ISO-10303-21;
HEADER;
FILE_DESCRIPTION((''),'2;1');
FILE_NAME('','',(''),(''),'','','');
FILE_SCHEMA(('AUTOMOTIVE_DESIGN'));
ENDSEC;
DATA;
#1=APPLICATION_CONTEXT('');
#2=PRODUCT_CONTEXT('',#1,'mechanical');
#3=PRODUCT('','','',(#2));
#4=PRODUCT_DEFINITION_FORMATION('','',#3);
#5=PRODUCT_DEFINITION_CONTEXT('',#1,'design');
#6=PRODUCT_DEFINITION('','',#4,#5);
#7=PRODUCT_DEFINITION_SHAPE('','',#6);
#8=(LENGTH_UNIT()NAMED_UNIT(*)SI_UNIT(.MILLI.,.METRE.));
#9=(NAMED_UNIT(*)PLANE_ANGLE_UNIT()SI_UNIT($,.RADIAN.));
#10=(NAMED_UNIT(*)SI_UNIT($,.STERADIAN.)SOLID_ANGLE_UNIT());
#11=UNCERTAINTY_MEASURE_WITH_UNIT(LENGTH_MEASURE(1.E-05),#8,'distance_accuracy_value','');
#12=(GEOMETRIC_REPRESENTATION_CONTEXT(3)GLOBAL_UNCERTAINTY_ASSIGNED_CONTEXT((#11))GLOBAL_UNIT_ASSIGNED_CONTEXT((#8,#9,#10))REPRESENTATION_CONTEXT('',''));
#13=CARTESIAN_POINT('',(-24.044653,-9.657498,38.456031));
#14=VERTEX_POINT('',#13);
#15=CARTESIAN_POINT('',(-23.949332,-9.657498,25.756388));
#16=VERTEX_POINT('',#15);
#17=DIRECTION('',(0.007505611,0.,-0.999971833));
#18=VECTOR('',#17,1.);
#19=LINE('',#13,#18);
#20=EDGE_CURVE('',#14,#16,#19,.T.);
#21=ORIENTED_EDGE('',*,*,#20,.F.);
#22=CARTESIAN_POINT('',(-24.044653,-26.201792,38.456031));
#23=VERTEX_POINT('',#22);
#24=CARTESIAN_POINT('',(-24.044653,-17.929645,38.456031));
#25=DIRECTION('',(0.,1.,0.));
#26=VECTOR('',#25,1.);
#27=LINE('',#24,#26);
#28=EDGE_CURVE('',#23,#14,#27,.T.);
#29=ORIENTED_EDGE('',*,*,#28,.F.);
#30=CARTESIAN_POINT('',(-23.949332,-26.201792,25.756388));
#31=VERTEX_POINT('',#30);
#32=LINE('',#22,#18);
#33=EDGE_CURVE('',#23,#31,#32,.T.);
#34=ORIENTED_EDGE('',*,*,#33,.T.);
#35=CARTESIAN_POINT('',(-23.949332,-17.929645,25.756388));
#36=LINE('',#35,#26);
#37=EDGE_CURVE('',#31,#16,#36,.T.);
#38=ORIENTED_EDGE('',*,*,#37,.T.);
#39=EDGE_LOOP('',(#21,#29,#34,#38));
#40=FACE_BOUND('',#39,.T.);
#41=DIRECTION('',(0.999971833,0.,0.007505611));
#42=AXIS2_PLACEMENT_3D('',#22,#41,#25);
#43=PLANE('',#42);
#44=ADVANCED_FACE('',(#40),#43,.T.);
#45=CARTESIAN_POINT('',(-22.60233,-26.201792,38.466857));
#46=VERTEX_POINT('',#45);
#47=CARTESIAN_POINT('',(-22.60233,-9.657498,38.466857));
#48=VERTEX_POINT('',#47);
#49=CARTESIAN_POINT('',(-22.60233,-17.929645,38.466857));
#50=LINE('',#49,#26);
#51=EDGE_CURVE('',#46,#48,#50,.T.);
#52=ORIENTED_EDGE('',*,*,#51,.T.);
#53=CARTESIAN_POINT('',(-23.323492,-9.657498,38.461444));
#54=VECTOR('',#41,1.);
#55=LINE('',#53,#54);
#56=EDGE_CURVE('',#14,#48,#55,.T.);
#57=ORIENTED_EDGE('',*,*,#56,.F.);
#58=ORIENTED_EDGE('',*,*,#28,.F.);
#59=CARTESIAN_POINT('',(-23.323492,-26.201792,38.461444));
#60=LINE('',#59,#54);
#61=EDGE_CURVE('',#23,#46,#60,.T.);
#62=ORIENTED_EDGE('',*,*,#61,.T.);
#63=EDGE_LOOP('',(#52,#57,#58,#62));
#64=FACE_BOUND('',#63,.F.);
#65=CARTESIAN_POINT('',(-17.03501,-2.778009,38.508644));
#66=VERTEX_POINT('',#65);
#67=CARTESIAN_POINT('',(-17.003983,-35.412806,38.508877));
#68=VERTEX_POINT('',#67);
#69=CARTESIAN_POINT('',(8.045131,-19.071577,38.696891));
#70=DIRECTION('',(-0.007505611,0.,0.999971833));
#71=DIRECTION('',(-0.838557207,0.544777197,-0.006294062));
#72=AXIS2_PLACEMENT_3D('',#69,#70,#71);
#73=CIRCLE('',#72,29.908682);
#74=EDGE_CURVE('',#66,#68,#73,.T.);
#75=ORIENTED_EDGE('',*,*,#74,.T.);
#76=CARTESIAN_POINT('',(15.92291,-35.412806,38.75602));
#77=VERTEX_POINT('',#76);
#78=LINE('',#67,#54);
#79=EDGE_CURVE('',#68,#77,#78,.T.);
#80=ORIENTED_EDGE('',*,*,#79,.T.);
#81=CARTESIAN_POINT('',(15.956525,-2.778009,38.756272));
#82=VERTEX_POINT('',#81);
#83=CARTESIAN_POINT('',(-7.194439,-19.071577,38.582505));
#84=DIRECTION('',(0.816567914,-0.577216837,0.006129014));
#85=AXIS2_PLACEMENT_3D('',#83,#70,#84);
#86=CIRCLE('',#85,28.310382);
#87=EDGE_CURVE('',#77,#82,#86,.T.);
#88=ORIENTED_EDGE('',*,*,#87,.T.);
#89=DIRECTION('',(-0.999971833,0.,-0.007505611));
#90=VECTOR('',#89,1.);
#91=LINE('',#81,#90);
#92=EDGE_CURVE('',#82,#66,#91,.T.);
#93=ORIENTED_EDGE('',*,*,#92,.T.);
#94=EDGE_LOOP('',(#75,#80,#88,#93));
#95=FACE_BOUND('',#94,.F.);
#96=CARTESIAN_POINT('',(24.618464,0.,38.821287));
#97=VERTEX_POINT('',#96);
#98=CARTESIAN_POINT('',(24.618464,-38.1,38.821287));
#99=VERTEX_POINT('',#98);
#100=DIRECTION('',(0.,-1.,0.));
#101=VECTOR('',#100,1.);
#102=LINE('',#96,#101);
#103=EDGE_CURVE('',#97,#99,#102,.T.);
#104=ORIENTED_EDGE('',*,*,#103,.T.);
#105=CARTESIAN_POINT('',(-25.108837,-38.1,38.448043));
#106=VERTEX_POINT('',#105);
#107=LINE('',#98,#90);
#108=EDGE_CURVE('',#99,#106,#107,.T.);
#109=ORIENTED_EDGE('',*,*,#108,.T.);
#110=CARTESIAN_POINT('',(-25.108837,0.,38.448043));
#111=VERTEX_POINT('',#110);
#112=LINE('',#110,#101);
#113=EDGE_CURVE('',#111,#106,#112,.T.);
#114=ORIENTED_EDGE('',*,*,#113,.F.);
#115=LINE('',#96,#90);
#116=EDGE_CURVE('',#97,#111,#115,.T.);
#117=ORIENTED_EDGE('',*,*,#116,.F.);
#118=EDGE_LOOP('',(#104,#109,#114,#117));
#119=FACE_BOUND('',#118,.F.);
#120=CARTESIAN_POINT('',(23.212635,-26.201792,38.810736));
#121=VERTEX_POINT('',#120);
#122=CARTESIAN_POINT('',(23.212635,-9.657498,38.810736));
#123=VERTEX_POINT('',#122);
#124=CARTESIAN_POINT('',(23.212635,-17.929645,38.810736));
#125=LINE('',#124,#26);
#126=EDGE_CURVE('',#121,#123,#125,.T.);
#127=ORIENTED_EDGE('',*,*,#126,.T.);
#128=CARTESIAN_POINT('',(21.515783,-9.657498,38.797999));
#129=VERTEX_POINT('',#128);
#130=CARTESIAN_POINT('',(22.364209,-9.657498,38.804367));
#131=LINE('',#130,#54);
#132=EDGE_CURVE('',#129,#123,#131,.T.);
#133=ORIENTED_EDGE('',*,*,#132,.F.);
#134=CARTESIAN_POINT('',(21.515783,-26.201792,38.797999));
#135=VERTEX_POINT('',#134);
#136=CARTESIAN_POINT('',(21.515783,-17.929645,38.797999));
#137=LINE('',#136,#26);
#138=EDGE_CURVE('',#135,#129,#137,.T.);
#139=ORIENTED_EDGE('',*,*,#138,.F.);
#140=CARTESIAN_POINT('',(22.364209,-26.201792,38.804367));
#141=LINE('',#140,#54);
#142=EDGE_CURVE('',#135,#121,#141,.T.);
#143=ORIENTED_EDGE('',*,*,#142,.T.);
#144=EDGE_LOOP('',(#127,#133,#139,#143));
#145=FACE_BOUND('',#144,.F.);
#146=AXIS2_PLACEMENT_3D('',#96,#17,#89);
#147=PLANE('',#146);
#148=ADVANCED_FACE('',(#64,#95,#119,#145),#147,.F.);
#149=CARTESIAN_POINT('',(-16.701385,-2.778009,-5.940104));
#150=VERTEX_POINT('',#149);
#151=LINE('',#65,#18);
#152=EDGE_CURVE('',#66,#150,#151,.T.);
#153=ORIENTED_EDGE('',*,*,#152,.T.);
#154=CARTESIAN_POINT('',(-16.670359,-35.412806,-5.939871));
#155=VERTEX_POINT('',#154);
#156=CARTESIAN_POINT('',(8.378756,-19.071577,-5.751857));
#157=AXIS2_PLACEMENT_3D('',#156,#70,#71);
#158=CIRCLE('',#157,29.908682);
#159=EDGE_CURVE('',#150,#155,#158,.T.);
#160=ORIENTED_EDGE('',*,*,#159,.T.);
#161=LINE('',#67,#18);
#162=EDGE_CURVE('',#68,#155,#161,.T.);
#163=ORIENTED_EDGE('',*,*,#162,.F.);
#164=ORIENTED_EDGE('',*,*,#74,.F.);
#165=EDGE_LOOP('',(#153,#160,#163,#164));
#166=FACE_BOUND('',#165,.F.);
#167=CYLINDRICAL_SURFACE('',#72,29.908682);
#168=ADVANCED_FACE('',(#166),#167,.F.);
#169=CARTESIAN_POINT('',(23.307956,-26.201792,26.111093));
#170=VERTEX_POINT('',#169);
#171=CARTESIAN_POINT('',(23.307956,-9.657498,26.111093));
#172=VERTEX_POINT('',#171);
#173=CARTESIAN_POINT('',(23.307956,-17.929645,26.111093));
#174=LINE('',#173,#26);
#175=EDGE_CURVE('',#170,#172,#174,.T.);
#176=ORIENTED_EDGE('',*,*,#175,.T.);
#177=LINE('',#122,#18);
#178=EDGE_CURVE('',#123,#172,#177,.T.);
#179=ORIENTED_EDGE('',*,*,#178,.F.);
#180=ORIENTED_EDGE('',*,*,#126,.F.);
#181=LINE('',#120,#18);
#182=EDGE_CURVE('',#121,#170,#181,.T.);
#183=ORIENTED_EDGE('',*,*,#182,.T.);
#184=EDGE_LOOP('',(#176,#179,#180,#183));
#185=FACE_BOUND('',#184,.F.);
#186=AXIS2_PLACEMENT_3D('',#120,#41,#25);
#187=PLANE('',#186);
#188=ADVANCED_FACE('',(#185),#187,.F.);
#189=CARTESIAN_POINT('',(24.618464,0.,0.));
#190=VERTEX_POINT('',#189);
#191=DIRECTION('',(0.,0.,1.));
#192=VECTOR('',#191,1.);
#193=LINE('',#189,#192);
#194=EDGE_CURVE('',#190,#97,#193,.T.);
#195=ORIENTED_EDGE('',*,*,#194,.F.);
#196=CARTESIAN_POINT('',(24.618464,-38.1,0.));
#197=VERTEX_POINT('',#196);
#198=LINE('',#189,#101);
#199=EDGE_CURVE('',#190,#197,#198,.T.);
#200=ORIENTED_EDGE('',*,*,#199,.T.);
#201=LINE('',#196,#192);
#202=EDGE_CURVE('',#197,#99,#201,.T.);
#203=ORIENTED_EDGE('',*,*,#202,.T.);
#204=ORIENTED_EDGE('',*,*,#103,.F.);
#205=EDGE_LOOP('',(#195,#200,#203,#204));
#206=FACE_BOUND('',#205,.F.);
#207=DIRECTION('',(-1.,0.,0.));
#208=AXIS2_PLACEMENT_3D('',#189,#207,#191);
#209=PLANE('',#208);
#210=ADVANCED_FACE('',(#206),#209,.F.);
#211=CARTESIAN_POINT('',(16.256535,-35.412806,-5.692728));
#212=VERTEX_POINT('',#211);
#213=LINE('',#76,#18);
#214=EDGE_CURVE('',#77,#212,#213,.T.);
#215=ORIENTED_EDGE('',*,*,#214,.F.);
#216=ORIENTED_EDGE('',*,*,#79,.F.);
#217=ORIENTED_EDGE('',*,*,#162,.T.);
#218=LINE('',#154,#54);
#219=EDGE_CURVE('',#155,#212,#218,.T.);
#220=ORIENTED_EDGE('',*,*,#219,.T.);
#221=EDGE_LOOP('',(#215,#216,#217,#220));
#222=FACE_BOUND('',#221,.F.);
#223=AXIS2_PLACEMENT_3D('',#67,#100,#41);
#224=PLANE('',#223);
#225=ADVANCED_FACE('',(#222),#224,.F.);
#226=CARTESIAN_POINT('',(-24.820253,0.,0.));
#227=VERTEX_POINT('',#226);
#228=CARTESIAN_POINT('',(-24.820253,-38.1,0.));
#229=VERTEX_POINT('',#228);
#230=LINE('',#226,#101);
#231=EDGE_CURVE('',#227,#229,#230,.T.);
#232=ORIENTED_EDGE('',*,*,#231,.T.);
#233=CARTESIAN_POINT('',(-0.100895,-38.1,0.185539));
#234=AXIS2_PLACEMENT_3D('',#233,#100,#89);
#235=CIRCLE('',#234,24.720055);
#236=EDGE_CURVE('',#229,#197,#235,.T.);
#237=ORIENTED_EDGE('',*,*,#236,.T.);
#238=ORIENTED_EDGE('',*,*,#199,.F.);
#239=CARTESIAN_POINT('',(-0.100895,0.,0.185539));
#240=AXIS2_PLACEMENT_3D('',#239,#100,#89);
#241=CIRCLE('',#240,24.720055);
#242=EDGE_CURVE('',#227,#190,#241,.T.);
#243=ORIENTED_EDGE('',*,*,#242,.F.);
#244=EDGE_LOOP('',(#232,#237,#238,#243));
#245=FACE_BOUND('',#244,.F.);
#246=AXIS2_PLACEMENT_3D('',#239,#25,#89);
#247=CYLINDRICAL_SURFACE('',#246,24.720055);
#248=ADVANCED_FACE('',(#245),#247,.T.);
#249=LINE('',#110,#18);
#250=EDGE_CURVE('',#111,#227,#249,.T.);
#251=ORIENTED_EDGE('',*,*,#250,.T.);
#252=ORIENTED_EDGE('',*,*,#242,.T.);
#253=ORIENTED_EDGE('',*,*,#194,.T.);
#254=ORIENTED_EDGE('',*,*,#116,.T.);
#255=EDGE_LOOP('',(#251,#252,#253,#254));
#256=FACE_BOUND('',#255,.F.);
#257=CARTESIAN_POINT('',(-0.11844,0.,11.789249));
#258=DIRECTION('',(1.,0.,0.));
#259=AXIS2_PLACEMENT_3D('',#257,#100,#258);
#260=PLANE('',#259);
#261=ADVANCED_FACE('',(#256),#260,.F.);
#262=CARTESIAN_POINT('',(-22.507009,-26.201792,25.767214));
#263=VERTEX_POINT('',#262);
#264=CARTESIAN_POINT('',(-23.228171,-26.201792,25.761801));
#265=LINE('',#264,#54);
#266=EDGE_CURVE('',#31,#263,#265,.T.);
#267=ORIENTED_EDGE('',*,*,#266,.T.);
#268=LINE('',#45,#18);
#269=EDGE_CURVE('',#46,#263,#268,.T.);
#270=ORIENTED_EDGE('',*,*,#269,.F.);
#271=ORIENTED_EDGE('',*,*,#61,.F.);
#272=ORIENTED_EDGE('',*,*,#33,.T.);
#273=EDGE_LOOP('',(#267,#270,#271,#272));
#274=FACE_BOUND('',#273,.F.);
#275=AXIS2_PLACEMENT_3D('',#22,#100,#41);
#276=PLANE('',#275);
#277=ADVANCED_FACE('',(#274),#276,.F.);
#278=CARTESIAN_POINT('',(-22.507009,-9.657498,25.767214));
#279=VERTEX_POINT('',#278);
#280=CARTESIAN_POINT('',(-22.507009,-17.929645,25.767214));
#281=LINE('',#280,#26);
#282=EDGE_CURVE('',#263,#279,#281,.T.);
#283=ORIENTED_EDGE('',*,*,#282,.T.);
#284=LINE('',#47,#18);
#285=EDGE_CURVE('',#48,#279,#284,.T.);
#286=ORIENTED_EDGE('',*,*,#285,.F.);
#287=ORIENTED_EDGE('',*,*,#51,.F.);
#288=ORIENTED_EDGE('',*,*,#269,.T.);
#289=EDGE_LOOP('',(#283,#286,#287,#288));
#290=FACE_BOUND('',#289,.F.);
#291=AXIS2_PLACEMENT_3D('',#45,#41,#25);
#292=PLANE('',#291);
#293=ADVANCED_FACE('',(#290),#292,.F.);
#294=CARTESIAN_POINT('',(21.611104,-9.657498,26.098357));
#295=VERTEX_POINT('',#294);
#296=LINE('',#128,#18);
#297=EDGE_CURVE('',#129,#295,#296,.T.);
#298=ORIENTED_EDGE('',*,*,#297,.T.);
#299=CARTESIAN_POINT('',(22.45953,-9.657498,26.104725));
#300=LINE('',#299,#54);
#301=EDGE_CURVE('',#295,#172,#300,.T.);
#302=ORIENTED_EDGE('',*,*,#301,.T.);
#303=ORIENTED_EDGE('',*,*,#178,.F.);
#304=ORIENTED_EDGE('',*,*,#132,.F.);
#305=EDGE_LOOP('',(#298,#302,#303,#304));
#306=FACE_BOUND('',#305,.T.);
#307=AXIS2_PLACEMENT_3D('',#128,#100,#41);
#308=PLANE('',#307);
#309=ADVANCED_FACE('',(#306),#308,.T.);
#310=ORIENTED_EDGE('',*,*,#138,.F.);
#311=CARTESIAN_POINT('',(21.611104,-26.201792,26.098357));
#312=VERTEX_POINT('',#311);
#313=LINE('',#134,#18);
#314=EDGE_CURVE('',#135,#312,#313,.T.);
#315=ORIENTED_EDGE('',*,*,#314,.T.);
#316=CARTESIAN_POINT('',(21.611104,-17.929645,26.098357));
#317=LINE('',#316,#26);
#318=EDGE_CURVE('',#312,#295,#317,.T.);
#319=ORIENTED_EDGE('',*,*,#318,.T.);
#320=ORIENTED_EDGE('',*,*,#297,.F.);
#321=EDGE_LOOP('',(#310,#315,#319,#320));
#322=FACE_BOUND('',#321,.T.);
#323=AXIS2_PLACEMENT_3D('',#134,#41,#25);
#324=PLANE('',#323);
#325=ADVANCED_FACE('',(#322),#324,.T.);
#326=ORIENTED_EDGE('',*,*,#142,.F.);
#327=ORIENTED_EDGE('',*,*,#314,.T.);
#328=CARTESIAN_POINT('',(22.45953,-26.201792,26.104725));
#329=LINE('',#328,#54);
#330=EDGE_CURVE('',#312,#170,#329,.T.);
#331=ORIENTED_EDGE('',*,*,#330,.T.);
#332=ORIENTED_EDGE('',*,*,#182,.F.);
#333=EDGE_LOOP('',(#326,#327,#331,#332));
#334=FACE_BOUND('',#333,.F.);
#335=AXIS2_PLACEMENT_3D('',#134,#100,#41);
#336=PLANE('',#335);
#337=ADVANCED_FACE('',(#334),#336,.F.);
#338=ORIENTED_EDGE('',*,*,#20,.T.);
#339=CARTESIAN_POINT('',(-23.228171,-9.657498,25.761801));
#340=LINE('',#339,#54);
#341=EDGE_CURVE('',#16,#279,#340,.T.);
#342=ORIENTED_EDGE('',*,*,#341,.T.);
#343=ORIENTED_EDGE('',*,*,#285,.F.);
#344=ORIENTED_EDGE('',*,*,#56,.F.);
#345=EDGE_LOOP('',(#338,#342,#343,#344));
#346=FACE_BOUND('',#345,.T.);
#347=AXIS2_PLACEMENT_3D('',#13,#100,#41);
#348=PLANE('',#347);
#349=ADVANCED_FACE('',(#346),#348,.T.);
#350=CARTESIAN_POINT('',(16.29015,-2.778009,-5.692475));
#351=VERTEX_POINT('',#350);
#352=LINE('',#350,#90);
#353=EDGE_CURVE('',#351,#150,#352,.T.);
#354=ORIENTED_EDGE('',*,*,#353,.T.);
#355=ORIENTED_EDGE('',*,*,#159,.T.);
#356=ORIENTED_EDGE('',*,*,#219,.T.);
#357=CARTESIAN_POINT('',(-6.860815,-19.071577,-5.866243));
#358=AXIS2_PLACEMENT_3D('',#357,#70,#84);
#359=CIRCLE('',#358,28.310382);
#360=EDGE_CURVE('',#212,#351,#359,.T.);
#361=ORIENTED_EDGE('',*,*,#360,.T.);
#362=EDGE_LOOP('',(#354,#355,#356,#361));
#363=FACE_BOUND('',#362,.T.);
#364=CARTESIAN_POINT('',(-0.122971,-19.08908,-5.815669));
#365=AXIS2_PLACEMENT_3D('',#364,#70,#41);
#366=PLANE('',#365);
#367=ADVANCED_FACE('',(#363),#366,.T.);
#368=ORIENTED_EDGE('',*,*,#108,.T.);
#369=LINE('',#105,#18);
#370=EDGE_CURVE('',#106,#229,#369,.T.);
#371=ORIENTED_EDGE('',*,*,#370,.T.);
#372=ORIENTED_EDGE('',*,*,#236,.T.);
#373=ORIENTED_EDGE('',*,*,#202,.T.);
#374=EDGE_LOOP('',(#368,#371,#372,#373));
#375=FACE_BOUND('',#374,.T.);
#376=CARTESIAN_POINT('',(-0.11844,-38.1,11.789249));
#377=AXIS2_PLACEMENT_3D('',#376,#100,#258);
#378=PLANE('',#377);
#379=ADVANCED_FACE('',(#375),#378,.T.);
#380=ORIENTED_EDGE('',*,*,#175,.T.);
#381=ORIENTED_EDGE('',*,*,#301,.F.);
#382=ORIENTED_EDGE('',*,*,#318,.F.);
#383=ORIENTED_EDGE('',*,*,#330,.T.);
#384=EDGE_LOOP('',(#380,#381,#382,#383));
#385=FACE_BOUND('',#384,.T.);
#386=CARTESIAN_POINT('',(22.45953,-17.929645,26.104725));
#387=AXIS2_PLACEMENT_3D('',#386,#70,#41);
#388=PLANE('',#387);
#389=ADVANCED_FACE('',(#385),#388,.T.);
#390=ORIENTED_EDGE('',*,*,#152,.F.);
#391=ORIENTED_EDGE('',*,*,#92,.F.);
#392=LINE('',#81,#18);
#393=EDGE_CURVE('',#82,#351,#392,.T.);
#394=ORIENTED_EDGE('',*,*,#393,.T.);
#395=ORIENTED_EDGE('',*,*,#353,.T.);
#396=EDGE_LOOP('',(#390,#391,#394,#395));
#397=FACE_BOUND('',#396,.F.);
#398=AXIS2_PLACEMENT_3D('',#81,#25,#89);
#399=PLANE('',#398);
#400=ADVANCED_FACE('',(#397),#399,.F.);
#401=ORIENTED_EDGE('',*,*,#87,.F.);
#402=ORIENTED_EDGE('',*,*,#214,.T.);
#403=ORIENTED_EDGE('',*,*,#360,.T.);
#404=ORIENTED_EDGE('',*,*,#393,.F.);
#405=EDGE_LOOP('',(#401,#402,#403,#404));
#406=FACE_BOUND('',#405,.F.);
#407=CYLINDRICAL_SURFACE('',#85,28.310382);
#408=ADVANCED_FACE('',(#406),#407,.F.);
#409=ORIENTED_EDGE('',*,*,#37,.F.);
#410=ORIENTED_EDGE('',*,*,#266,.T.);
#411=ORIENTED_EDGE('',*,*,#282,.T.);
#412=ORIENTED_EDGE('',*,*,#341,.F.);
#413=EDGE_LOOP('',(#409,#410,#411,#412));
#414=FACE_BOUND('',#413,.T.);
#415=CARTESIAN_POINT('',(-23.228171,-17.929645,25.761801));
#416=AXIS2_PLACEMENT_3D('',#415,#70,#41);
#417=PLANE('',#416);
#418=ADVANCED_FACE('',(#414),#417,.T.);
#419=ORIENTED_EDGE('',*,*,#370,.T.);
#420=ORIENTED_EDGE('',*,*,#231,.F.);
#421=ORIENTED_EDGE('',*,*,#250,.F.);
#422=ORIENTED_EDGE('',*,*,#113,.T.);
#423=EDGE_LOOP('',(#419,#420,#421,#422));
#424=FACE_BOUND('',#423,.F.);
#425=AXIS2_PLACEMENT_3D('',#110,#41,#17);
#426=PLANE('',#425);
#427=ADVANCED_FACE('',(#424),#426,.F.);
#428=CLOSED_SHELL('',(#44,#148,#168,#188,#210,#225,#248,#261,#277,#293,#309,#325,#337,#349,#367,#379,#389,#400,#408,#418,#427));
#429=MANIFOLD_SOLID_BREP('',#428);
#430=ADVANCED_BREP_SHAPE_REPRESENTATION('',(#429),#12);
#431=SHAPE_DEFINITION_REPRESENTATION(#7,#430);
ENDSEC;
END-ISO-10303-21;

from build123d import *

# Parameters (mm, degrees)
F1_DEPTH = 38.1
F3_DEPTH = 44.45
F4_W     = 1.4423634857
F4_H     = 16.5442936122
F5_DEPTH = 12.7
F4_W_2   = 1.6968995333
F6_DEPTH = 12.7


with BuildPart() as f1:
    # F0 (on Front) → F1 (new body)
    with BuildSketch(Plane.XZ):
        with BuildLine():
            Line((-25.10883745, 38.448043143), (-24.820253253, 0))
            ThreePointArc((-24.820253253, 0), (-0.1008948311, -24.534515601), (24.6184635907, 0))
            Line((24.6184635907, 0), (24.6184635907, 38.8212874506))
            Line((24.6184635907, 38.8212874506), (-25.10883745, 38.448043143))
        make_face()
    extrude(amount=F1_DEPTH)

    # F2 (on face) → F3 (cut)
    with BuildSketch(Plane(origin=(-0.2899824262, 0, 38.6343290697), x_dir=(0.9999718325, 0, 0.0075056113), z_dir=(-0.0075056113, 0, 0.9999718325))):
        with BuildLine():
            Line((-16.7144715449, -35.4128060373), (16.2133492063, -35.4128060373))
            ThreePointArc((16.2133492063, -35.4128060373), (21.4057154297, -19.1007387378), (16.2469655347, -2.7780089998))
            Line((16.2469655347, -2.7780089998), (-16.7454987534, -2.7780089998))
            ThreePointArc((-16.7454987534, -2.7780089998), (-21.5733199015, -19.1000122708), (-16.7144715449, -35.4128060373))
        make_face()
    extrude(amount=-F3_DEPTH, mode=Mode.SUBTRACT)

    # F4 (on face) → F5 (cut)
    with BuildSketch(Plane(origin=(-0.2899824262, 0, 38.6343290697), x_dir=(0.9999718325, 0, 0.0075056113), z_dir=(-0.0075056113, 0, 0.9999718325))):
        with Locations((-23.0341581628, -17.9296452552)):
            Rectangle(F4_W, F4_H)
    extrude(amount=-F5_DEPTH, mode=Mode.SUBTRACT)

    # F4 (on face) → F6 (cut)
    with BuildSketch(Plane(origin=(-0.2899824262, 0, 38.6343290697), x_dir=(0.9999718325, 0, 0.0075056113), z_dir=(-0.0075056113, 0, 0.9999718325))):
        with Locations((-23.0341581628, -17.9296452552)):
            Rectangle(F4_W, F4_H)
        with Locations((22.6548295468, -17.9296452552)):
            Rectangle(F4_W_2, F4_H)
    extrude(amount=-F6_DEPTH, mode=Mode.SUBTRACT)


solid = f1.part
